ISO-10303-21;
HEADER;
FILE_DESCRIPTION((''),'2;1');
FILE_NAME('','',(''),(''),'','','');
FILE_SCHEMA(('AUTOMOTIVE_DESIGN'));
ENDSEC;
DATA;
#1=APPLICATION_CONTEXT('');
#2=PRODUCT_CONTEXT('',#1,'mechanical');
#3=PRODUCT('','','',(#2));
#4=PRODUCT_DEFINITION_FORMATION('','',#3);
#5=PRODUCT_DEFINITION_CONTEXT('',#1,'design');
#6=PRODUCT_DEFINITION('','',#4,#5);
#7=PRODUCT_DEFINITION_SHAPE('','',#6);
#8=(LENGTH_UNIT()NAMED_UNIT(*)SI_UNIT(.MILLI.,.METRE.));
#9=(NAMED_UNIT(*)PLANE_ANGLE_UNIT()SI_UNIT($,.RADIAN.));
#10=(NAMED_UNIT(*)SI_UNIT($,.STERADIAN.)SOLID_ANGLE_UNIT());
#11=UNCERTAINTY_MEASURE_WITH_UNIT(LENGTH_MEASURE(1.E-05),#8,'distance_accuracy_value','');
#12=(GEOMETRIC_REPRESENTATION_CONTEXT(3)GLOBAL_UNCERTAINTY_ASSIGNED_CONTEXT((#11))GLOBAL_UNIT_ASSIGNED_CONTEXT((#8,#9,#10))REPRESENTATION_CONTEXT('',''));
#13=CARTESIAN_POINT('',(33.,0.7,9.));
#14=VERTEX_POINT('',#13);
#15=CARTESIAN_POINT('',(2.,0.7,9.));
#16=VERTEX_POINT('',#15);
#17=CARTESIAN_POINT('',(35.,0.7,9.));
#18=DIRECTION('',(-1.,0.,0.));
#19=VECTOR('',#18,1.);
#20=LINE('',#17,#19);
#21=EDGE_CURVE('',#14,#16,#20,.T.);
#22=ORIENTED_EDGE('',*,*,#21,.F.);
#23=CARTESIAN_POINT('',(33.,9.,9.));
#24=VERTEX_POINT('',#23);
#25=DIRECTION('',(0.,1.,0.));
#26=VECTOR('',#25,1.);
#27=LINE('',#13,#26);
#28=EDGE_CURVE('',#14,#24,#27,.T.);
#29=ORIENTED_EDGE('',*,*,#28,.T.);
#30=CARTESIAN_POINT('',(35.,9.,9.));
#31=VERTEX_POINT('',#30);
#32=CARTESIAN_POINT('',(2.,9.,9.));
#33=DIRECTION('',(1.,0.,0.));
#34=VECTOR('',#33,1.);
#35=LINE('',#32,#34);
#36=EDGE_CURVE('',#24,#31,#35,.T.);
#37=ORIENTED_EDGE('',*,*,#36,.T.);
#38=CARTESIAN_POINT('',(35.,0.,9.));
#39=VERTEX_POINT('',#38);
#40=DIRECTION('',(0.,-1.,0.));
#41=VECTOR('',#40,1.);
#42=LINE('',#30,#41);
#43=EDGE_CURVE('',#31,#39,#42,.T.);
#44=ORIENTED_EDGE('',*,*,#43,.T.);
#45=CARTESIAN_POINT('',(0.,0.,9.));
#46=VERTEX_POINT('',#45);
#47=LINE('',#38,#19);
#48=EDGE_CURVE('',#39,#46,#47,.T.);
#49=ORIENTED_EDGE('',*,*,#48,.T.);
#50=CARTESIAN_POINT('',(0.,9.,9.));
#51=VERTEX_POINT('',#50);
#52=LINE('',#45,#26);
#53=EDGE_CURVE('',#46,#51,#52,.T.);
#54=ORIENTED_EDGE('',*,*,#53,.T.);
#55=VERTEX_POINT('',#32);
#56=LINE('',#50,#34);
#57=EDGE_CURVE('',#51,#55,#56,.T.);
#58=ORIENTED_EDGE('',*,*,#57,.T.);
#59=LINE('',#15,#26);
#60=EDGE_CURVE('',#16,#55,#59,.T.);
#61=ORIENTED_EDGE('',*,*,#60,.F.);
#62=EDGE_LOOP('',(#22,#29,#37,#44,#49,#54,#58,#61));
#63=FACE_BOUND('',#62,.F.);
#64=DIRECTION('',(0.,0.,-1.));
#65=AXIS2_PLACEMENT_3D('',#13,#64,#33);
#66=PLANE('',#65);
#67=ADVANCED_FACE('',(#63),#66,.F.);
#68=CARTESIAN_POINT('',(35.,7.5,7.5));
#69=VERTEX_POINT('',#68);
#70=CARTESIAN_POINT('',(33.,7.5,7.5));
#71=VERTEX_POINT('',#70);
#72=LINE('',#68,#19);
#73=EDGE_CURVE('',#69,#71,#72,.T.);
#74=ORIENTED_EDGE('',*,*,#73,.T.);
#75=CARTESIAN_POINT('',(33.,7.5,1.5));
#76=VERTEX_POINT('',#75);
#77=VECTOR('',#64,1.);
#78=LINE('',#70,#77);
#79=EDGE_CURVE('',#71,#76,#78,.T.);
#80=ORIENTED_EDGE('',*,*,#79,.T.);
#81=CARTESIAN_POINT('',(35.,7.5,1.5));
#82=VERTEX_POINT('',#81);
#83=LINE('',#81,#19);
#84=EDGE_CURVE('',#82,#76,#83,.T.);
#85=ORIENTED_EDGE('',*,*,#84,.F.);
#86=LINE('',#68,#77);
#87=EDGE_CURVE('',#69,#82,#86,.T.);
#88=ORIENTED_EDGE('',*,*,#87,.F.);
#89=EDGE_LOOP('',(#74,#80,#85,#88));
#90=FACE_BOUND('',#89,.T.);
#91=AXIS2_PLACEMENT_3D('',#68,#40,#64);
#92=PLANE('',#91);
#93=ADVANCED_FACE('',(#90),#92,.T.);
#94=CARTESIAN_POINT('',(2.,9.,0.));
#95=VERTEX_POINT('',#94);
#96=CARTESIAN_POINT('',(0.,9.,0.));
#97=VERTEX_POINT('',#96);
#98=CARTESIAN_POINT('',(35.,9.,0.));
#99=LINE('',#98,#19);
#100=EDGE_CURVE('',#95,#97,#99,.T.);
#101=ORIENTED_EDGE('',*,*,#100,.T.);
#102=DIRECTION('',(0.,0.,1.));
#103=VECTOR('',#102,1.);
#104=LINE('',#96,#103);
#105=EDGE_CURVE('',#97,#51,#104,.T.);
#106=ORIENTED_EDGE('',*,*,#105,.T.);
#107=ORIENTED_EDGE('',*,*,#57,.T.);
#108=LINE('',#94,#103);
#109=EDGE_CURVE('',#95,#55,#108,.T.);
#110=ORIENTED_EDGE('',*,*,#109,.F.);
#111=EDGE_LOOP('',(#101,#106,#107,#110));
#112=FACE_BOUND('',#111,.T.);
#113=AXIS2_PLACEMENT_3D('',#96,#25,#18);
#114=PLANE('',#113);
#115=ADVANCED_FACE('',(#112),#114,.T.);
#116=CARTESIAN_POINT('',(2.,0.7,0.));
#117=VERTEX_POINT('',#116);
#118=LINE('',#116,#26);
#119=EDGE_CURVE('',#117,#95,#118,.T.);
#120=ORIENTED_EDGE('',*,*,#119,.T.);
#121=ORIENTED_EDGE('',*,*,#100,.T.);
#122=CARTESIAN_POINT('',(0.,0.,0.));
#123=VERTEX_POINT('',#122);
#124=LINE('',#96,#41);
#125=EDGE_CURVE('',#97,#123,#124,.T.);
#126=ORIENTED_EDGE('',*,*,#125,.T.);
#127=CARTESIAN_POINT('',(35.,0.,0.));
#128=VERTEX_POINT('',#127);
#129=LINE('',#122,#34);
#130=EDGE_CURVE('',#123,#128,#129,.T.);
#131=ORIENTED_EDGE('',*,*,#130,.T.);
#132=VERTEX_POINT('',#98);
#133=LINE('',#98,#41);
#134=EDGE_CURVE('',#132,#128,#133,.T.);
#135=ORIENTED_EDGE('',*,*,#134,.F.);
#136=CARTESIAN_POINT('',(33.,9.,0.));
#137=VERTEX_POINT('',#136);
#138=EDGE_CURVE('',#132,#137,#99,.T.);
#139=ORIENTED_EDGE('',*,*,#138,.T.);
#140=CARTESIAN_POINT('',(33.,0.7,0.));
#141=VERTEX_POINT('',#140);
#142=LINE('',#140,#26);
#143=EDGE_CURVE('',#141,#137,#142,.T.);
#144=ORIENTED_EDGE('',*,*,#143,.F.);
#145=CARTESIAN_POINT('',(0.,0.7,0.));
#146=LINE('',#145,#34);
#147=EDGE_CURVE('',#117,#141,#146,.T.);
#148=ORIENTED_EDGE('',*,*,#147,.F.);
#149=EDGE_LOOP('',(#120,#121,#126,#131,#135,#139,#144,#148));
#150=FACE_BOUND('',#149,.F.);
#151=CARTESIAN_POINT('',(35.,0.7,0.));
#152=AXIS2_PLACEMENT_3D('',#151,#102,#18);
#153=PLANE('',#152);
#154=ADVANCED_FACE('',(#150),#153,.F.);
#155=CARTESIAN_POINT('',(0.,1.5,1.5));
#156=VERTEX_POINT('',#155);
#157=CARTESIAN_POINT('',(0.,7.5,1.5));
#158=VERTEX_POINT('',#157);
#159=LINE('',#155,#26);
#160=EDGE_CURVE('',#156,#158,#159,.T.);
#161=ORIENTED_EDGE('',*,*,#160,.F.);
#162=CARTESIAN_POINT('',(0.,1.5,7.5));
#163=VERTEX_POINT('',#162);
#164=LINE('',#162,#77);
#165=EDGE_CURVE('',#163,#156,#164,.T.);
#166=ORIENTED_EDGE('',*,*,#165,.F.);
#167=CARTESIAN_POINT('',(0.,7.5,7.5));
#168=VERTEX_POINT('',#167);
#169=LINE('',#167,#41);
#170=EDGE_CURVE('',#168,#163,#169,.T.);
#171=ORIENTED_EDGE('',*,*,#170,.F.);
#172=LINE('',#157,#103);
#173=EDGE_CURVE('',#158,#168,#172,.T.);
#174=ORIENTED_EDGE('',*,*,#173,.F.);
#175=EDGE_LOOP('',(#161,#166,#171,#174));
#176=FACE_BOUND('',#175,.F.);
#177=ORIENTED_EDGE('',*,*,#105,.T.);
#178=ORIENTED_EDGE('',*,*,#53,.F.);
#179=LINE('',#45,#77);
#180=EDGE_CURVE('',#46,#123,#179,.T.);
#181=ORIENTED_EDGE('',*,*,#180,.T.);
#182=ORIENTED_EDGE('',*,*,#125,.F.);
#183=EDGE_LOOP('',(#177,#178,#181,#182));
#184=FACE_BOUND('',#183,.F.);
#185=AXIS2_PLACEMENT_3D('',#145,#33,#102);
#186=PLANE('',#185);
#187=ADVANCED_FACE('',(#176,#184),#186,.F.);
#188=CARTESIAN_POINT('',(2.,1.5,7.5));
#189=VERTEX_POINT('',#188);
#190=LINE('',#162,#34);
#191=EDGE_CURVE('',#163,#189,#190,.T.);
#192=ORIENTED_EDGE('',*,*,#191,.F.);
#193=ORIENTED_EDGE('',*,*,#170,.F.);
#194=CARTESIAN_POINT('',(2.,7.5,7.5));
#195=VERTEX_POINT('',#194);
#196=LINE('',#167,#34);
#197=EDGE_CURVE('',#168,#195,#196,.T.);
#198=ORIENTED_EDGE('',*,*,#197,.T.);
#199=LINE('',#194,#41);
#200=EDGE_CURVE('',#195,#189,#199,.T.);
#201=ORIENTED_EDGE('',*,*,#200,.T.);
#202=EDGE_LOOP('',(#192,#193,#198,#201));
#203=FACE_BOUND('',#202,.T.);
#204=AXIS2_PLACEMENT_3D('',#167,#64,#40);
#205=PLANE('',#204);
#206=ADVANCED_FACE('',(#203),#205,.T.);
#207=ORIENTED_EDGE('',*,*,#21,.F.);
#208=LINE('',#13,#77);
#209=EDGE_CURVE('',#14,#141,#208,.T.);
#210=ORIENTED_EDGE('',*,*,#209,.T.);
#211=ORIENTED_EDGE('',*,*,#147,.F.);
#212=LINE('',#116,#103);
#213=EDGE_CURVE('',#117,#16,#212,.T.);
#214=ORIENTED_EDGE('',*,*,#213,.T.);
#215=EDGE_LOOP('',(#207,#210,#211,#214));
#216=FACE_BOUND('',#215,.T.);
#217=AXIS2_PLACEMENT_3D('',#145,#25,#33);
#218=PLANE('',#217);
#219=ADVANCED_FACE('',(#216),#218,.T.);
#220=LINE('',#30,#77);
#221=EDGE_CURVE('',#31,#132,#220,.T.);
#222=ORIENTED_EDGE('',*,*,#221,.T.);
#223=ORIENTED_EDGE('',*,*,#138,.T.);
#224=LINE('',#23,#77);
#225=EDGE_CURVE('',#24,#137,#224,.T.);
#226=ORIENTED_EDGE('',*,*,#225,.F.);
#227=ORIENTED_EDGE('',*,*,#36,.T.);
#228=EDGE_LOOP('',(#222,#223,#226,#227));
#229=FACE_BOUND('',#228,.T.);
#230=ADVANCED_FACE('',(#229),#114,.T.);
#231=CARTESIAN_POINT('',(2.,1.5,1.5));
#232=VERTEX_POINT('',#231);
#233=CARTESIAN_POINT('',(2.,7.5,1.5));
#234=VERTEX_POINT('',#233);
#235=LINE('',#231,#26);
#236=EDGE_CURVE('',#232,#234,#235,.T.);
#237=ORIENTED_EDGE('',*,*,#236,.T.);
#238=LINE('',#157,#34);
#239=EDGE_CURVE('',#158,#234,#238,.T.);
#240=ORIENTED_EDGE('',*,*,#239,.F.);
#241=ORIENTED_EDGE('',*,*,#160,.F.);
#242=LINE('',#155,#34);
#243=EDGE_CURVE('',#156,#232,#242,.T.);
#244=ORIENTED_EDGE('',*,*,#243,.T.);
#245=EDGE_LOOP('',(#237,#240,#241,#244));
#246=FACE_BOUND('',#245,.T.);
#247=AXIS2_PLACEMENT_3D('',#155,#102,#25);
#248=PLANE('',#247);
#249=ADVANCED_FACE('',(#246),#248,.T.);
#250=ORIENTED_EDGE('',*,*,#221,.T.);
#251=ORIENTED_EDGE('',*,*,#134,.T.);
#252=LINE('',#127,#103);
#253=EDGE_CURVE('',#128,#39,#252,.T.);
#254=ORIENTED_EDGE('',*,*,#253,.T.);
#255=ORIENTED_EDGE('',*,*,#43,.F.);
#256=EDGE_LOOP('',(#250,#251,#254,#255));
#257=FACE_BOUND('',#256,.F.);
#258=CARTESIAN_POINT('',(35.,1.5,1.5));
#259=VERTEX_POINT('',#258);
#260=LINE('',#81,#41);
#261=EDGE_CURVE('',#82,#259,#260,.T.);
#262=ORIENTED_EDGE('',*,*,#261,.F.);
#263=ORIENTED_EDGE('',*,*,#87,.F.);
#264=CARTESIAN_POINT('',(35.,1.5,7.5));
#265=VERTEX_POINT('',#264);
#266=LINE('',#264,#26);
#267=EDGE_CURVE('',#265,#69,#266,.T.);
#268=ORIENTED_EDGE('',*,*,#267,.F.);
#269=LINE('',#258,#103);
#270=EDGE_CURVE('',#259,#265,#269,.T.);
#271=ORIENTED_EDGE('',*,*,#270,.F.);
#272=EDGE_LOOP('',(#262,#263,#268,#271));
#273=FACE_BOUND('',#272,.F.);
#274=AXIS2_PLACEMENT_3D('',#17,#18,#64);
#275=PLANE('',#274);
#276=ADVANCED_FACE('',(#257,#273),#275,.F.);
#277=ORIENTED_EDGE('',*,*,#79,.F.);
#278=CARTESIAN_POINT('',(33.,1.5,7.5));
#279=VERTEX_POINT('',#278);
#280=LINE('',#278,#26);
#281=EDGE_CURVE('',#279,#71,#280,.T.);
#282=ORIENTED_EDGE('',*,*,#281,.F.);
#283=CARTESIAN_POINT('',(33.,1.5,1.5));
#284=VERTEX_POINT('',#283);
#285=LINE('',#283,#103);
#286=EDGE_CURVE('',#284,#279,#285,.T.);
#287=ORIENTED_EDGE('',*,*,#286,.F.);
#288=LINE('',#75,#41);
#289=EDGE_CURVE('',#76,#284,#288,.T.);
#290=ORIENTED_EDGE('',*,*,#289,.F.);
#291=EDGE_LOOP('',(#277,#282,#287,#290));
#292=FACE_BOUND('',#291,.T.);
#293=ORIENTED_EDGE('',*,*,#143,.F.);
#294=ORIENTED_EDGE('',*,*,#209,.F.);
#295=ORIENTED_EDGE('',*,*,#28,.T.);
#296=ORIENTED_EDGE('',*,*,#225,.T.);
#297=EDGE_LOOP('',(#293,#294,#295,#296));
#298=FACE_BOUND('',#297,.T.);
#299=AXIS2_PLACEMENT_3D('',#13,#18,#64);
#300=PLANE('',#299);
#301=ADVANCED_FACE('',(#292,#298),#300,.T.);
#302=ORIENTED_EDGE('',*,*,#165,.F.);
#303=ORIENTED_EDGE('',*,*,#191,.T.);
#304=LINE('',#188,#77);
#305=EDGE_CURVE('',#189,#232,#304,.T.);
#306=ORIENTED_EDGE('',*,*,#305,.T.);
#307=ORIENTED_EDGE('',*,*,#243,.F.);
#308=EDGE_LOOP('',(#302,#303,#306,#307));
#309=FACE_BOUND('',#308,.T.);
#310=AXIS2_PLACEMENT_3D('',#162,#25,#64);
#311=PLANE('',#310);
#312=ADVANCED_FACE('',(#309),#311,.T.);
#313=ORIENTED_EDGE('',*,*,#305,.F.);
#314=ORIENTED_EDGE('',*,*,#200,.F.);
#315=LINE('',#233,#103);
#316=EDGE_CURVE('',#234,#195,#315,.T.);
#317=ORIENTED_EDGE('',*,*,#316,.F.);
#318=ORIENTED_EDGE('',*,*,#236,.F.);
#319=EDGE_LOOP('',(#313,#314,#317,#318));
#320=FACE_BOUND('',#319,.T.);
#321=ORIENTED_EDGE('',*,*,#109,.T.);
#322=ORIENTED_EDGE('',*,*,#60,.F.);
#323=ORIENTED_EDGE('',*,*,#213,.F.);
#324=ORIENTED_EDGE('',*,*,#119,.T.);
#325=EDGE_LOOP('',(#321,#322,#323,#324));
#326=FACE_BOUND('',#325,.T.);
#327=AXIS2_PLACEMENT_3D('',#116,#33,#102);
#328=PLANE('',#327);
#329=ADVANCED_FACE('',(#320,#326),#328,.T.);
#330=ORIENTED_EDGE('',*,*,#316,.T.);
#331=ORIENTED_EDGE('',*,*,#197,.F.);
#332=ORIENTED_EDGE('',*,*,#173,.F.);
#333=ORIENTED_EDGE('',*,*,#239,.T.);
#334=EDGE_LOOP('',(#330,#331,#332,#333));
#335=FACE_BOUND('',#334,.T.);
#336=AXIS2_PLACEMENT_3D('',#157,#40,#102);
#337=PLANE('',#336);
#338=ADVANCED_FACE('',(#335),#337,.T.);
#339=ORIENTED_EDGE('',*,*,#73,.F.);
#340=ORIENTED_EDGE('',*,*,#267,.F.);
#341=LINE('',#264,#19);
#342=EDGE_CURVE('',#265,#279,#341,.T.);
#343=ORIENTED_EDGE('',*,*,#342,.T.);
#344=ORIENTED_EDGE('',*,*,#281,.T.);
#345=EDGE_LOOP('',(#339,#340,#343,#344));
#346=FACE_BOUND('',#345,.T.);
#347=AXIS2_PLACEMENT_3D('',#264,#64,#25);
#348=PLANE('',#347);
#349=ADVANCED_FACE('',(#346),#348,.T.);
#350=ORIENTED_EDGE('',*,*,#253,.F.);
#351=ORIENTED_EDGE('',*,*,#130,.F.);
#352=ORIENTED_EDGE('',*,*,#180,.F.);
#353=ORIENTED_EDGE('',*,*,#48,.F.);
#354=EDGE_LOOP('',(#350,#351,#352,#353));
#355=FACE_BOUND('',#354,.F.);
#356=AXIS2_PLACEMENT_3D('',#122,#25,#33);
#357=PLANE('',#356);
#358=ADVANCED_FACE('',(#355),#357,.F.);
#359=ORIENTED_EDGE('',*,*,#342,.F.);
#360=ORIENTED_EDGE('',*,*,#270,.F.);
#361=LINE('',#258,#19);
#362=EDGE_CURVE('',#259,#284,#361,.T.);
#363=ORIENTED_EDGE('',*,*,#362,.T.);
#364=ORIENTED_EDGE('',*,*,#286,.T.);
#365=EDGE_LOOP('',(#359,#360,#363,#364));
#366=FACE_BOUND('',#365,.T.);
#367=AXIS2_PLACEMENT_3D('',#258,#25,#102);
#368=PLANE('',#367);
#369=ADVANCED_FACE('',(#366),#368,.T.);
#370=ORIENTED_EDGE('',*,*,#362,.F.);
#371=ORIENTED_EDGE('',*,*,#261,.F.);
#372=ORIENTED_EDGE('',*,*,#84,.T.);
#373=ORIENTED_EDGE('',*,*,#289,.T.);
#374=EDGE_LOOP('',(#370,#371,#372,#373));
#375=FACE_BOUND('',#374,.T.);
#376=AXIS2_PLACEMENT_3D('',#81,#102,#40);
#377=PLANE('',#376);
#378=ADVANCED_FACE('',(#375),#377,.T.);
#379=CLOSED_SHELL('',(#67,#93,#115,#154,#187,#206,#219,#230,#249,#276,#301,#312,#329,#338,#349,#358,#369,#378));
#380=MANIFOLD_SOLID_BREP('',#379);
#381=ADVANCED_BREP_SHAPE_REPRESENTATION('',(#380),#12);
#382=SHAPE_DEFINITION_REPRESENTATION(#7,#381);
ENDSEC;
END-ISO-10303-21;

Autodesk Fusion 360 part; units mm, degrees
sketch "Sketch1" plane through (0, 0, 0) normal (0, 1, 0) x (1, 0, 0)
  line L0 (0, 0) -> (35, 0)
  line L1 (35, 0) -> (35, -9)
  line L2 (35, -9) -> (0, -9)
  line L3 (0, -9) -> (0, 0)
  dimension "d1" = 35
  dimension "d2" = 9
extrude "Extrude1" add sketch "Sketch1" along normal blind 0.5
extrude "Extrude2" add 1 faces at (11.6667, 0.5, 3) along direction (0, 1, 0) blind 0.2
sketch "Sketch2" plane through (0, 0.7, 0) normal (0, 1, 0) x (-1, 0, 0)
  line L0 (0, 9) -> (-35, 9)
  line L1 (-35, 9) -> (-35, 0)
  line L2 (-35, 0) -> (0, 0)
  line L3 (0, 0) -> (0, 9)
  line L4 (0, 0) -> (-2, 0)
  line L5 (-2, 0) -> (-2, 9)
  line L6 (-2, 9) -> (0, 9)
  line L7 (0, 9) -> (0, 0)
  dimension "d7" = 2
extrude "Extrude3" add sketch "Sketch2" along normal blind 8.3 contours L0 L2 L3 L4 L5 L6 L7
sketch "Sketch3" plane through (2, 0, 0) normal (1, 0, 0) x (0, 0, -1)
  line L0 (-9, 0.7) -> (0, 0.7)
  line L1 (0, 0.7) -> (0, 9)
  line L2 (0, 9) -> (-9, 9)
  line L3 (-9, 9) -> (-9, 0.7)
  line L4 (-9, 9) -> (-4.5, 9)
  line L5 (-4.5, 9) -> (-4.5, 4.85)
  line L6 (-4.5, 4.85) -> (-9, 4.85)
  line L7 (-9, 4.85) -> (-9, 9)
  line L8 (-4.5, 9) -> (0, 9)
  line L9 (0, 9) -> (0, 4.85)
  line L10 (0, 4.85) -> (-4.5, 4.85)
  line L11 (-4.5, 4.85) -> (-4.5, 9)
  line L12 (-9, 4.85) -> (-4.5, 4.85)
  line L13 (-4.5, 4.85) -> (-4.5, 0.7)
  line L14 (-4.5, 0.7) -> (-9, 0.7)
  line L15 (-9, 0.7) -> (-9, 4.85)
  line L16 (-4.5, 4.85) -> (0, 4.85)
  line L17 (0, 4.85) -> (0, 0.7)
  line L18 (0, 0.7) -> (-4.5, 0.7)
  line L19 (-4.5, 0.7) -> (-4.5, 4.85)
  circle A0 centre (-6.75, 6.925) radius 0.75
  circle A1 centre (-2.25, 6.925) radius 0.75
  circle A2 centre (-6.75, 2.775) radius 0.75
  circle A3 centre (-2.25, 2.775) radius 0.75
  dimension "d10" = 4.5
  dimension "d11" = 4.15
  dimension "d12" = 1.5
  dimension "d13" = 1.5
  dimension "d14" = 1.5
  dimension "d15" = 1.5
extrude "Extrude4" cut sketch "Sketch3" against normal up to surface (2 mm away) contours A0 | A1 | A2 | A3
sketch "Sketch4" plane through (0, 0.7, 0) normal (0, 1, 0) x (-1, 0, 0)
  line L0 (-2, 0) -> (-2, 9)
  line L1 (-2, 9) -> (-35, 9)
  line L2 (-35, 9) -> (-35, 0)
  line L3 (-35, 0) -> (-2, 0)
  line L4 (-35, 9) -> (-33, 9)
  line L5 (-33, 9) -> (-33, 0)
  line L6 (-33, 0) -> (-35, 0)
  line L7 (-35, 0) -> (-35, 9)
  dimension "d18" = 2
extrude "Extrude5" add sketch "Sketch4" along normal up to surface (8.3 mm away) contours L1 L2 L3 L4 L5 L6 L7
sketch "Sketch5" plane through (33, 0, 0) normal (-1, 0, 0) x (0, 0, 1)
  line L0 (9, 9) -> (0, 9)
  line L1 (0, 9) -> (0, 0.7)
  line L2 (0, 0.7) -> (9, 0.7)
  line L3 (9, 0.7) -> (9, 9)
  line L4 (6, 3.35) -> (3, 3.35)
  line L5 (3, 3.35) -> (3, 6.35)
  line L6 (3, 6.35) -> (6, 6.35)
  line L7 (6, 6.35) -> (6, 3.35)
  line L8 (6, 3.35) -> (3, 6.35) construction
  line L9 (3, 3.35) -> (6, 6.35) construction
  point P0 (4.5, 4.85)
  point P1 (4.5, 4.85)
  dimension "d21" = 3
  dimension "d22" = 3
extrude "Extrude6" cut sketch "Sketch5" against normal up to surface (2 mm away) contours L4 L5 L6 L7
delete_face "DeleteFace1" 1 faces at (0.6667, 6.8503, 1.5037)
delete_face "DeleteFace2" 1 faces at (0.6667, 6.8503, 6.0037)
delete_face "DeleteFace3" 1 faces at (0.6667, 2.7003, 6.0037)
delete_face "DeleteFace4" 1 faces at (0.6667, 2.7003, 1.5037)
delete_face "DeleteFace5" 1 faces at (33.6667, 4.35, 3)
sketch "Sketch6" plane through (35, 0, 0) normal (1, 0, 0) x (0, 0, -1)
  line L0 (0, 0) -> (0, 9)
  line L1 (0, 9) -> (-9, 9)
  line L2 (-9, 9) -> (-9, 0)
  line L3 (-9, 0) -> (0, 0)
  line L4 (-9, 9) -> (-7.5, 9)
  line L5 (-7.5, 9) -> (-7.5, 7.5)
  line L6 (-7.5, 7.5) -> (-9, 7.5)
  line L7 (-9, 7.5) -> (-9, 9)
  line L8 (0, 9) -> (-1.5, 9)
  line L9 (-1.5, 9) -> (-1.5, 7.5)
  line L10 (-1.5, 7.5) -> (0, 7.5)
  line L11 (0, 7.5) -> (0, 9)
  line L12 (-9, 0) -> (-7.5, 0)
  line L13 (-7.5, 0) -> (-7.5, 1.5)
  line L14 (-7.5, 1.5) -> (-9, 1.5)
  line L15 (-9, 1.5) -> (-9, 0)
  line L16 (0, 0) -> (-1.5, 0)
  line L17 (-1.5, 0) -> (-1.5, 1.5)
  line L18 (-1.5, 1.5) -> (0, 1.5)
  line L19 (0, 1.5) -> (0, 0)
  line L20 (-7.5, 7.5) -> (-1.5, 7.5)
  line L21 (-1.5, 7.5) -> (-1.5, 1.5)
  line L22 (-1.5, 1.5) -> (-7.5, 1.5)
  line L23 (-7.5, 1.5) -> (-7.5, 7.5)
  dimension "d25" = 1.5
  dimension "d26" = 1.5
  dimension "d27" = 1.5
  dimension "d28" = 1.5
  dimension "d29" = 1.5
  dimension "d30" = 1.5
  dimension "d31" = 1.5
  dimension "d32" = 1.5
extrude "Extrude7" cut sketch "Sketch6" against normal up to surface (2 mm away) contours L20 L21 L22 L23
sketch "Sketch7" plane through (0, 0, 0) normal (-1, 0, 0) x (0, 0, 1)
  line L0 (0, 0) -> (9, 0)
  line L1 (9, 0) -> (9, 9)
  line L2 (9, 9) -> (0, 9)
  line L3 (0, 9) -> (0, 0)
  line L4 (0, 9) -> (1.5, 9)
  line L5 (1.5, 9) -> (1.5, 7.5)
  line L6 (1.5, 7.5) -> (0, 7.5)
  line L7 (0, 7.5) -> (0, 9)
  line L8 (9, 9) -> (7.5, 9)
  line L9 (7.5, 9) -> (7.5, 7.5)
  line L10 (7.5, 7.5) -> (9, 7.5)
  line L11 (9, 7.5) -> (9, 9)
  line L12 (0, 0) -> (1.5, 0)
  line L13 (1.5, 0) -> (1.5, 1.5)
  line L14 (1.5, 1.5) -> (0, 1.5)
  line L15 (0, 1.5) -> (0, 0)
  line L16 (9, 0) -> (7.5, 0)
  line L17 (7.5, 0) -> (7.5, 1.5)
  line L18 (7.5, 1.5) -> (9, 1.5)
  line L19 (9, 1.5) -> (9, 0)
  line L20 (1.5, 7.5) -> (7.5, 7.5)
  line L21 (7.5, 7.5) -> (7.5, 1.5)
  line L22 (7.5, 1.5) -> (1.5, 1.5)
  line L23 (1.5, 1.5) -> (1.5, 7.5)
  dimension "d35" = 1.5
  dimension "d36" = 1.5
  dimension "d37" = 1.5
  dimension "d38" = 1.5
  dimension "d39" = 1.5
  dimension "d40" = 1.5
  dimension "d41" = 1.5
  dimension "d42" = 1.5
extrude "Extrude8" cut sketch "Sketch7" against normal up to surface (2 mm away) contours L20 L21 L22 L23
